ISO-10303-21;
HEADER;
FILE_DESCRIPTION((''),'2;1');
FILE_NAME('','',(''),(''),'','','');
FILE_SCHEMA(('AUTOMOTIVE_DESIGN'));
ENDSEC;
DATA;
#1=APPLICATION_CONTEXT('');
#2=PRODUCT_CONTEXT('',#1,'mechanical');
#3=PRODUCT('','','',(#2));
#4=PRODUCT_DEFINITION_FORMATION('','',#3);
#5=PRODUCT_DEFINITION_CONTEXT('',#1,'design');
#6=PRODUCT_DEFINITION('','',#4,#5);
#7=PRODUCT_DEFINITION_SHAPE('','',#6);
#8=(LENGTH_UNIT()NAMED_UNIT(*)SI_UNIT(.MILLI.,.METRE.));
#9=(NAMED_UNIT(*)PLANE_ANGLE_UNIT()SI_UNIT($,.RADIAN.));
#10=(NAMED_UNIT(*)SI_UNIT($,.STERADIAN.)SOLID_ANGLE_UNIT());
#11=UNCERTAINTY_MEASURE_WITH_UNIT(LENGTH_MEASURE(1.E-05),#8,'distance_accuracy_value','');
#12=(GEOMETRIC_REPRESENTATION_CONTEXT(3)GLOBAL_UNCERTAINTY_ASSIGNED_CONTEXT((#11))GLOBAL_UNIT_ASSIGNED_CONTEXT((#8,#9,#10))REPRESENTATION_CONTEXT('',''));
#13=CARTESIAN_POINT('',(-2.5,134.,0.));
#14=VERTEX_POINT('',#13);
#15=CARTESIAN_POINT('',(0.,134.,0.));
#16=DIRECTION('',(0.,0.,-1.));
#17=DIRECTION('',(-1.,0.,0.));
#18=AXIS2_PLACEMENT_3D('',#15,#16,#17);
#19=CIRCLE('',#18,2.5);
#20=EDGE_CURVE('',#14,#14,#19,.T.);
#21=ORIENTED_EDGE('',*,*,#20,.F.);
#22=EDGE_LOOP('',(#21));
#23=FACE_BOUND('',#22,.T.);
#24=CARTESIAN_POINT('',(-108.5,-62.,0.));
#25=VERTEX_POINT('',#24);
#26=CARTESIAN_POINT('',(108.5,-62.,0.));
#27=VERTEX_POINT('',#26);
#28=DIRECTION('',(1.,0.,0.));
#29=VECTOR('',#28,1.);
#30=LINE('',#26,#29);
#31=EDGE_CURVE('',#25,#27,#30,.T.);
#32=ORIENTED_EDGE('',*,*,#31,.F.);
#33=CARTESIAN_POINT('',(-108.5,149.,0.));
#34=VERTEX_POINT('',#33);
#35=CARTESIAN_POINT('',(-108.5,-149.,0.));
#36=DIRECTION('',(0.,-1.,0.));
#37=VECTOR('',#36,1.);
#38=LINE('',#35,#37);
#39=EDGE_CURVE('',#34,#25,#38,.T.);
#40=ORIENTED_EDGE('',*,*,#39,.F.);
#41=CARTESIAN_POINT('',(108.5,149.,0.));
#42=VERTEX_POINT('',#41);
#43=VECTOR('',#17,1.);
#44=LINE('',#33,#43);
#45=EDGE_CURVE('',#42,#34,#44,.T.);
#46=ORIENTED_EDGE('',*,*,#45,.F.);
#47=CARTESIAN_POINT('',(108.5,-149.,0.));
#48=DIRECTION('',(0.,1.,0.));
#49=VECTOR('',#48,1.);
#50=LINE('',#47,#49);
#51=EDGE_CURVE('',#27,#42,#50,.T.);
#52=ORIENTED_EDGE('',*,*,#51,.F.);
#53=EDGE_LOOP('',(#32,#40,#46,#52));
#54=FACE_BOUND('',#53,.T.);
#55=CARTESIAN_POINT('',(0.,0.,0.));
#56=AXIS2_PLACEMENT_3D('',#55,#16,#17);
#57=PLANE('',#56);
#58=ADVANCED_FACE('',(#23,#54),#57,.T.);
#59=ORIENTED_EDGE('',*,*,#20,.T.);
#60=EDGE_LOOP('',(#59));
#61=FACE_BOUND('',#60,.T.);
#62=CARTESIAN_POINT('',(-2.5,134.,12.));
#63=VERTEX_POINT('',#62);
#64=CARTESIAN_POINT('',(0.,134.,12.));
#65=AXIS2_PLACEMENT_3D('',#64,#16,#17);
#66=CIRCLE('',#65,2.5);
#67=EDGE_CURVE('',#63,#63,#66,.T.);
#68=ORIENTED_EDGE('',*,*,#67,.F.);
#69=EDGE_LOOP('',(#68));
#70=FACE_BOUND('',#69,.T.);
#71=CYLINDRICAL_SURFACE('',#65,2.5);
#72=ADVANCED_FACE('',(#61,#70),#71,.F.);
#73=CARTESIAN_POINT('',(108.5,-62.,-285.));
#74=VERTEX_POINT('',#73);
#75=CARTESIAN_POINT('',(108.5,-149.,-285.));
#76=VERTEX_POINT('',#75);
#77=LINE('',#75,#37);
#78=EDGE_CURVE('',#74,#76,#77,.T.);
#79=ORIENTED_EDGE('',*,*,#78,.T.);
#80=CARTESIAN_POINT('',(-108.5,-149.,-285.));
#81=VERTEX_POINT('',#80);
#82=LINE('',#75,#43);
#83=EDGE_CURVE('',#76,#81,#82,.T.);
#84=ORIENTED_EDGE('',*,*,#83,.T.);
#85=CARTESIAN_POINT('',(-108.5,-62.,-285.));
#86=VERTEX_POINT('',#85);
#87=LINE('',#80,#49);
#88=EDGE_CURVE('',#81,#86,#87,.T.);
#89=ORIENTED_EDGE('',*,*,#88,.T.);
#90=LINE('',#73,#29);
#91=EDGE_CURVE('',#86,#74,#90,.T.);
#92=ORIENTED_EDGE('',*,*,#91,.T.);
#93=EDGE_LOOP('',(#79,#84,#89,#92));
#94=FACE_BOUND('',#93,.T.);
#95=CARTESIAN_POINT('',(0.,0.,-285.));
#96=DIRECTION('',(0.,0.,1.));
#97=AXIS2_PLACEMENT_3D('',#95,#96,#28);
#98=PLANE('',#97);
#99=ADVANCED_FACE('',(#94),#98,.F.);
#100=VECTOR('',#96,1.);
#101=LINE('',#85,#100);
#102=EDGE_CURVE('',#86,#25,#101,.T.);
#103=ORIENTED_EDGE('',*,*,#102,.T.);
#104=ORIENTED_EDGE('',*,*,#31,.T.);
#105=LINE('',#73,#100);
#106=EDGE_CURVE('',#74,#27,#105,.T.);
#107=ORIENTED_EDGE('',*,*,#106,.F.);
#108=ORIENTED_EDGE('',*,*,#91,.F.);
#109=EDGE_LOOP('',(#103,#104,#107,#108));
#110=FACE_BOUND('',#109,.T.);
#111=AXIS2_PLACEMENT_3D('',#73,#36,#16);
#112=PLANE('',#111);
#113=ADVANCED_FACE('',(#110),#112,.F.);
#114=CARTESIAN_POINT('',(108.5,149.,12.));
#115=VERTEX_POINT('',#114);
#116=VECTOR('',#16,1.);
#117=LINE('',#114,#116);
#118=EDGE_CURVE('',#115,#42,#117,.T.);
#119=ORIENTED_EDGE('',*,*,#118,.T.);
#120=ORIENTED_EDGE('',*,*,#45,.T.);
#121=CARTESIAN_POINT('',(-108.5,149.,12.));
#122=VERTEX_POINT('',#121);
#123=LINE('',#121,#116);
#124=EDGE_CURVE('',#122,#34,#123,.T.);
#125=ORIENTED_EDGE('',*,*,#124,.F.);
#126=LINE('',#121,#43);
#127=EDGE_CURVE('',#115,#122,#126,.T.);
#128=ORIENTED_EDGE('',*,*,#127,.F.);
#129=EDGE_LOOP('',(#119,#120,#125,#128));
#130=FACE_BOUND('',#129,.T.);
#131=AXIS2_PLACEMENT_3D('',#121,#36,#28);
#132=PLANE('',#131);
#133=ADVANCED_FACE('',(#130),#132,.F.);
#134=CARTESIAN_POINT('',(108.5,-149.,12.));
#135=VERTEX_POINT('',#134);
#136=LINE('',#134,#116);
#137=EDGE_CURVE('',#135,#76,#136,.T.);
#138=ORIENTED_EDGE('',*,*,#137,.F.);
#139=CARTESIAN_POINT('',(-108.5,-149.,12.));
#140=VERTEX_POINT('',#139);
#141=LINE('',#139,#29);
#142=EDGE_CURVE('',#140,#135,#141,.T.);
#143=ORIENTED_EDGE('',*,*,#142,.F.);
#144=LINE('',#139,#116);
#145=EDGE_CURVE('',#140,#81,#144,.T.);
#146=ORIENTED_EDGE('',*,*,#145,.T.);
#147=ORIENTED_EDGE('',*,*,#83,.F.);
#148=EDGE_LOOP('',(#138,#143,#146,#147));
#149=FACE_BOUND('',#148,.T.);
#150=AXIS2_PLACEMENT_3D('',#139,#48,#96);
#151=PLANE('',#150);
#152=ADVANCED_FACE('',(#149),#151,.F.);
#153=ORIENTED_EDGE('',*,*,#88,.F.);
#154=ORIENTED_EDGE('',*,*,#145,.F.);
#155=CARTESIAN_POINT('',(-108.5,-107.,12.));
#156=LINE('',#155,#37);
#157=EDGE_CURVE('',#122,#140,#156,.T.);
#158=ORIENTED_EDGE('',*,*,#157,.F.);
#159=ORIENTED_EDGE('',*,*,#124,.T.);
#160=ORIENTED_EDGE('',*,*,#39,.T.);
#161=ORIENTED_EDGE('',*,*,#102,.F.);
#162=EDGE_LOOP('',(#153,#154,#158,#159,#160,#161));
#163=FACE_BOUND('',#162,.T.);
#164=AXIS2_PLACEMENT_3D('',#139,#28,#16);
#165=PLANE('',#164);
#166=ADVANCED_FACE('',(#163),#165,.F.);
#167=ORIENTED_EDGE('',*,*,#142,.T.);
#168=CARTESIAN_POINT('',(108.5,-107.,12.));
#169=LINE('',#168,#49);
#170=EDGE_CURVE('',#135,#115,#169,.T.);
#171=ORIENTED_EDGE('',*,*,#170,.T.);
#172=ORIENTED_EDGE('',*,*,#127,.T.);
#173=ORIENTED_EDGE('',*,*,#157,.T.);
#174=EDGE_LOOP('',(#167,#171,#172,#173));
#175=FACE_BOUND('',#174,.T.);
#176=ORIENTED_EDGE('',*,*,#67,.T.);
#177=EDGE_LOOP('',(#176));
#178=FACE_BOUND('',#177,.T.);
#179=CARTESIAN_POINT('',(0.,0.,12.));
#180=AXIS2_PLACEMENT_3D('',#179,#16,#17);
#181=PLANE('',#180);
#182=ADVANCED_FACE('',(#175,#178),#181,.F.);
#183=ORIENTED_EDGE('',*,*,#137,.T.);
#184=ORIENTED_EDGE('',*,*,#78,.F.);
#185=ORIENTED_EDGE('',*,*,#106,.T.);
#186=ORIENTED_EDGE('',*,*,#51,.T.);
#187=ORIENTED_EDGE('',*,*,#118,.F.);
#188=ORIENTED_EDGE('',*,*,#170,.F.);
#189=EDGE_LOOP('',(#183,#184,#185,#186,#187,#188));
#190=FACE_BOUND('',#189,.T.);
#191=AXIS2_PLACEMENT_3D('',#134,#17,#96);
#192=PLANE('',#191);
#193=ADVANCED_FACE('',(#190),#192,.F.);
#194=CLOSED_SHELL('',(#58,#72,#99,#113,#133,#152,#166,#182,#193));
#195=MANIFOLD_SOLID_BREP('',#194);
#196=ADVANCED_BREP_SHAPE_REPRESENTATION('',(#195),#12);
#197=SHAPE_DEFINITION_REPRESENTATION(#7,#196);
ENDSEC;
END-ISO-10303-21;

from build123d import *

# Parameters (mm, degrees)
BOSS_EXTRUDE1_DEPTH = 12
SKETCH2_R           = 2.5
CUT_EXTRUDE1_DEPTH  = 13
SKETCH3_W           = 217
SKETCH3_H           = 87
BOSS_EXTRUDE2_DEPTH = 285


with BuildPart() as part:
    # Sketch1 → Boss-Extrude1 (new body)
    with BuildSketch(Plane.XY):
        Polygon((-108.5, 149), (108.5, 149), (108.5, -107), (108.5, -149), (-108.5, -149), (-108.5, -107), align=None)
    extrude(amount=BOSS_EXTRUDE1_DEPTH)

    # Sketch2 → Cut-Extrude1 (cut, through all)
    with BuildSketch(Plane(origin=(0, 0, 0), x_dir=(-1, 0, 0), z_dir=(0, 0, -1))):
        with Locations((0, 134)):
            Circle(SKETCH2_R)
    extrude(amount=-CUT_EXTRUDE1_DEPTH, mode=Mode.SUBTRACT)

    # Sketch3 → Boss-Extrude2 (add)
    with BuildSketch(Plane(origin=(0, 0, 0), x_dir=(-1, 0, 0), z_dir=(0, 0, -1))):
        with Locations((0, -105.5)):
            Rectangle(SKETCH3_W, SKETCH3_H)
    extrude(amount=BOSS_EXTRUDE2_DEPTH)


solid = part.part
